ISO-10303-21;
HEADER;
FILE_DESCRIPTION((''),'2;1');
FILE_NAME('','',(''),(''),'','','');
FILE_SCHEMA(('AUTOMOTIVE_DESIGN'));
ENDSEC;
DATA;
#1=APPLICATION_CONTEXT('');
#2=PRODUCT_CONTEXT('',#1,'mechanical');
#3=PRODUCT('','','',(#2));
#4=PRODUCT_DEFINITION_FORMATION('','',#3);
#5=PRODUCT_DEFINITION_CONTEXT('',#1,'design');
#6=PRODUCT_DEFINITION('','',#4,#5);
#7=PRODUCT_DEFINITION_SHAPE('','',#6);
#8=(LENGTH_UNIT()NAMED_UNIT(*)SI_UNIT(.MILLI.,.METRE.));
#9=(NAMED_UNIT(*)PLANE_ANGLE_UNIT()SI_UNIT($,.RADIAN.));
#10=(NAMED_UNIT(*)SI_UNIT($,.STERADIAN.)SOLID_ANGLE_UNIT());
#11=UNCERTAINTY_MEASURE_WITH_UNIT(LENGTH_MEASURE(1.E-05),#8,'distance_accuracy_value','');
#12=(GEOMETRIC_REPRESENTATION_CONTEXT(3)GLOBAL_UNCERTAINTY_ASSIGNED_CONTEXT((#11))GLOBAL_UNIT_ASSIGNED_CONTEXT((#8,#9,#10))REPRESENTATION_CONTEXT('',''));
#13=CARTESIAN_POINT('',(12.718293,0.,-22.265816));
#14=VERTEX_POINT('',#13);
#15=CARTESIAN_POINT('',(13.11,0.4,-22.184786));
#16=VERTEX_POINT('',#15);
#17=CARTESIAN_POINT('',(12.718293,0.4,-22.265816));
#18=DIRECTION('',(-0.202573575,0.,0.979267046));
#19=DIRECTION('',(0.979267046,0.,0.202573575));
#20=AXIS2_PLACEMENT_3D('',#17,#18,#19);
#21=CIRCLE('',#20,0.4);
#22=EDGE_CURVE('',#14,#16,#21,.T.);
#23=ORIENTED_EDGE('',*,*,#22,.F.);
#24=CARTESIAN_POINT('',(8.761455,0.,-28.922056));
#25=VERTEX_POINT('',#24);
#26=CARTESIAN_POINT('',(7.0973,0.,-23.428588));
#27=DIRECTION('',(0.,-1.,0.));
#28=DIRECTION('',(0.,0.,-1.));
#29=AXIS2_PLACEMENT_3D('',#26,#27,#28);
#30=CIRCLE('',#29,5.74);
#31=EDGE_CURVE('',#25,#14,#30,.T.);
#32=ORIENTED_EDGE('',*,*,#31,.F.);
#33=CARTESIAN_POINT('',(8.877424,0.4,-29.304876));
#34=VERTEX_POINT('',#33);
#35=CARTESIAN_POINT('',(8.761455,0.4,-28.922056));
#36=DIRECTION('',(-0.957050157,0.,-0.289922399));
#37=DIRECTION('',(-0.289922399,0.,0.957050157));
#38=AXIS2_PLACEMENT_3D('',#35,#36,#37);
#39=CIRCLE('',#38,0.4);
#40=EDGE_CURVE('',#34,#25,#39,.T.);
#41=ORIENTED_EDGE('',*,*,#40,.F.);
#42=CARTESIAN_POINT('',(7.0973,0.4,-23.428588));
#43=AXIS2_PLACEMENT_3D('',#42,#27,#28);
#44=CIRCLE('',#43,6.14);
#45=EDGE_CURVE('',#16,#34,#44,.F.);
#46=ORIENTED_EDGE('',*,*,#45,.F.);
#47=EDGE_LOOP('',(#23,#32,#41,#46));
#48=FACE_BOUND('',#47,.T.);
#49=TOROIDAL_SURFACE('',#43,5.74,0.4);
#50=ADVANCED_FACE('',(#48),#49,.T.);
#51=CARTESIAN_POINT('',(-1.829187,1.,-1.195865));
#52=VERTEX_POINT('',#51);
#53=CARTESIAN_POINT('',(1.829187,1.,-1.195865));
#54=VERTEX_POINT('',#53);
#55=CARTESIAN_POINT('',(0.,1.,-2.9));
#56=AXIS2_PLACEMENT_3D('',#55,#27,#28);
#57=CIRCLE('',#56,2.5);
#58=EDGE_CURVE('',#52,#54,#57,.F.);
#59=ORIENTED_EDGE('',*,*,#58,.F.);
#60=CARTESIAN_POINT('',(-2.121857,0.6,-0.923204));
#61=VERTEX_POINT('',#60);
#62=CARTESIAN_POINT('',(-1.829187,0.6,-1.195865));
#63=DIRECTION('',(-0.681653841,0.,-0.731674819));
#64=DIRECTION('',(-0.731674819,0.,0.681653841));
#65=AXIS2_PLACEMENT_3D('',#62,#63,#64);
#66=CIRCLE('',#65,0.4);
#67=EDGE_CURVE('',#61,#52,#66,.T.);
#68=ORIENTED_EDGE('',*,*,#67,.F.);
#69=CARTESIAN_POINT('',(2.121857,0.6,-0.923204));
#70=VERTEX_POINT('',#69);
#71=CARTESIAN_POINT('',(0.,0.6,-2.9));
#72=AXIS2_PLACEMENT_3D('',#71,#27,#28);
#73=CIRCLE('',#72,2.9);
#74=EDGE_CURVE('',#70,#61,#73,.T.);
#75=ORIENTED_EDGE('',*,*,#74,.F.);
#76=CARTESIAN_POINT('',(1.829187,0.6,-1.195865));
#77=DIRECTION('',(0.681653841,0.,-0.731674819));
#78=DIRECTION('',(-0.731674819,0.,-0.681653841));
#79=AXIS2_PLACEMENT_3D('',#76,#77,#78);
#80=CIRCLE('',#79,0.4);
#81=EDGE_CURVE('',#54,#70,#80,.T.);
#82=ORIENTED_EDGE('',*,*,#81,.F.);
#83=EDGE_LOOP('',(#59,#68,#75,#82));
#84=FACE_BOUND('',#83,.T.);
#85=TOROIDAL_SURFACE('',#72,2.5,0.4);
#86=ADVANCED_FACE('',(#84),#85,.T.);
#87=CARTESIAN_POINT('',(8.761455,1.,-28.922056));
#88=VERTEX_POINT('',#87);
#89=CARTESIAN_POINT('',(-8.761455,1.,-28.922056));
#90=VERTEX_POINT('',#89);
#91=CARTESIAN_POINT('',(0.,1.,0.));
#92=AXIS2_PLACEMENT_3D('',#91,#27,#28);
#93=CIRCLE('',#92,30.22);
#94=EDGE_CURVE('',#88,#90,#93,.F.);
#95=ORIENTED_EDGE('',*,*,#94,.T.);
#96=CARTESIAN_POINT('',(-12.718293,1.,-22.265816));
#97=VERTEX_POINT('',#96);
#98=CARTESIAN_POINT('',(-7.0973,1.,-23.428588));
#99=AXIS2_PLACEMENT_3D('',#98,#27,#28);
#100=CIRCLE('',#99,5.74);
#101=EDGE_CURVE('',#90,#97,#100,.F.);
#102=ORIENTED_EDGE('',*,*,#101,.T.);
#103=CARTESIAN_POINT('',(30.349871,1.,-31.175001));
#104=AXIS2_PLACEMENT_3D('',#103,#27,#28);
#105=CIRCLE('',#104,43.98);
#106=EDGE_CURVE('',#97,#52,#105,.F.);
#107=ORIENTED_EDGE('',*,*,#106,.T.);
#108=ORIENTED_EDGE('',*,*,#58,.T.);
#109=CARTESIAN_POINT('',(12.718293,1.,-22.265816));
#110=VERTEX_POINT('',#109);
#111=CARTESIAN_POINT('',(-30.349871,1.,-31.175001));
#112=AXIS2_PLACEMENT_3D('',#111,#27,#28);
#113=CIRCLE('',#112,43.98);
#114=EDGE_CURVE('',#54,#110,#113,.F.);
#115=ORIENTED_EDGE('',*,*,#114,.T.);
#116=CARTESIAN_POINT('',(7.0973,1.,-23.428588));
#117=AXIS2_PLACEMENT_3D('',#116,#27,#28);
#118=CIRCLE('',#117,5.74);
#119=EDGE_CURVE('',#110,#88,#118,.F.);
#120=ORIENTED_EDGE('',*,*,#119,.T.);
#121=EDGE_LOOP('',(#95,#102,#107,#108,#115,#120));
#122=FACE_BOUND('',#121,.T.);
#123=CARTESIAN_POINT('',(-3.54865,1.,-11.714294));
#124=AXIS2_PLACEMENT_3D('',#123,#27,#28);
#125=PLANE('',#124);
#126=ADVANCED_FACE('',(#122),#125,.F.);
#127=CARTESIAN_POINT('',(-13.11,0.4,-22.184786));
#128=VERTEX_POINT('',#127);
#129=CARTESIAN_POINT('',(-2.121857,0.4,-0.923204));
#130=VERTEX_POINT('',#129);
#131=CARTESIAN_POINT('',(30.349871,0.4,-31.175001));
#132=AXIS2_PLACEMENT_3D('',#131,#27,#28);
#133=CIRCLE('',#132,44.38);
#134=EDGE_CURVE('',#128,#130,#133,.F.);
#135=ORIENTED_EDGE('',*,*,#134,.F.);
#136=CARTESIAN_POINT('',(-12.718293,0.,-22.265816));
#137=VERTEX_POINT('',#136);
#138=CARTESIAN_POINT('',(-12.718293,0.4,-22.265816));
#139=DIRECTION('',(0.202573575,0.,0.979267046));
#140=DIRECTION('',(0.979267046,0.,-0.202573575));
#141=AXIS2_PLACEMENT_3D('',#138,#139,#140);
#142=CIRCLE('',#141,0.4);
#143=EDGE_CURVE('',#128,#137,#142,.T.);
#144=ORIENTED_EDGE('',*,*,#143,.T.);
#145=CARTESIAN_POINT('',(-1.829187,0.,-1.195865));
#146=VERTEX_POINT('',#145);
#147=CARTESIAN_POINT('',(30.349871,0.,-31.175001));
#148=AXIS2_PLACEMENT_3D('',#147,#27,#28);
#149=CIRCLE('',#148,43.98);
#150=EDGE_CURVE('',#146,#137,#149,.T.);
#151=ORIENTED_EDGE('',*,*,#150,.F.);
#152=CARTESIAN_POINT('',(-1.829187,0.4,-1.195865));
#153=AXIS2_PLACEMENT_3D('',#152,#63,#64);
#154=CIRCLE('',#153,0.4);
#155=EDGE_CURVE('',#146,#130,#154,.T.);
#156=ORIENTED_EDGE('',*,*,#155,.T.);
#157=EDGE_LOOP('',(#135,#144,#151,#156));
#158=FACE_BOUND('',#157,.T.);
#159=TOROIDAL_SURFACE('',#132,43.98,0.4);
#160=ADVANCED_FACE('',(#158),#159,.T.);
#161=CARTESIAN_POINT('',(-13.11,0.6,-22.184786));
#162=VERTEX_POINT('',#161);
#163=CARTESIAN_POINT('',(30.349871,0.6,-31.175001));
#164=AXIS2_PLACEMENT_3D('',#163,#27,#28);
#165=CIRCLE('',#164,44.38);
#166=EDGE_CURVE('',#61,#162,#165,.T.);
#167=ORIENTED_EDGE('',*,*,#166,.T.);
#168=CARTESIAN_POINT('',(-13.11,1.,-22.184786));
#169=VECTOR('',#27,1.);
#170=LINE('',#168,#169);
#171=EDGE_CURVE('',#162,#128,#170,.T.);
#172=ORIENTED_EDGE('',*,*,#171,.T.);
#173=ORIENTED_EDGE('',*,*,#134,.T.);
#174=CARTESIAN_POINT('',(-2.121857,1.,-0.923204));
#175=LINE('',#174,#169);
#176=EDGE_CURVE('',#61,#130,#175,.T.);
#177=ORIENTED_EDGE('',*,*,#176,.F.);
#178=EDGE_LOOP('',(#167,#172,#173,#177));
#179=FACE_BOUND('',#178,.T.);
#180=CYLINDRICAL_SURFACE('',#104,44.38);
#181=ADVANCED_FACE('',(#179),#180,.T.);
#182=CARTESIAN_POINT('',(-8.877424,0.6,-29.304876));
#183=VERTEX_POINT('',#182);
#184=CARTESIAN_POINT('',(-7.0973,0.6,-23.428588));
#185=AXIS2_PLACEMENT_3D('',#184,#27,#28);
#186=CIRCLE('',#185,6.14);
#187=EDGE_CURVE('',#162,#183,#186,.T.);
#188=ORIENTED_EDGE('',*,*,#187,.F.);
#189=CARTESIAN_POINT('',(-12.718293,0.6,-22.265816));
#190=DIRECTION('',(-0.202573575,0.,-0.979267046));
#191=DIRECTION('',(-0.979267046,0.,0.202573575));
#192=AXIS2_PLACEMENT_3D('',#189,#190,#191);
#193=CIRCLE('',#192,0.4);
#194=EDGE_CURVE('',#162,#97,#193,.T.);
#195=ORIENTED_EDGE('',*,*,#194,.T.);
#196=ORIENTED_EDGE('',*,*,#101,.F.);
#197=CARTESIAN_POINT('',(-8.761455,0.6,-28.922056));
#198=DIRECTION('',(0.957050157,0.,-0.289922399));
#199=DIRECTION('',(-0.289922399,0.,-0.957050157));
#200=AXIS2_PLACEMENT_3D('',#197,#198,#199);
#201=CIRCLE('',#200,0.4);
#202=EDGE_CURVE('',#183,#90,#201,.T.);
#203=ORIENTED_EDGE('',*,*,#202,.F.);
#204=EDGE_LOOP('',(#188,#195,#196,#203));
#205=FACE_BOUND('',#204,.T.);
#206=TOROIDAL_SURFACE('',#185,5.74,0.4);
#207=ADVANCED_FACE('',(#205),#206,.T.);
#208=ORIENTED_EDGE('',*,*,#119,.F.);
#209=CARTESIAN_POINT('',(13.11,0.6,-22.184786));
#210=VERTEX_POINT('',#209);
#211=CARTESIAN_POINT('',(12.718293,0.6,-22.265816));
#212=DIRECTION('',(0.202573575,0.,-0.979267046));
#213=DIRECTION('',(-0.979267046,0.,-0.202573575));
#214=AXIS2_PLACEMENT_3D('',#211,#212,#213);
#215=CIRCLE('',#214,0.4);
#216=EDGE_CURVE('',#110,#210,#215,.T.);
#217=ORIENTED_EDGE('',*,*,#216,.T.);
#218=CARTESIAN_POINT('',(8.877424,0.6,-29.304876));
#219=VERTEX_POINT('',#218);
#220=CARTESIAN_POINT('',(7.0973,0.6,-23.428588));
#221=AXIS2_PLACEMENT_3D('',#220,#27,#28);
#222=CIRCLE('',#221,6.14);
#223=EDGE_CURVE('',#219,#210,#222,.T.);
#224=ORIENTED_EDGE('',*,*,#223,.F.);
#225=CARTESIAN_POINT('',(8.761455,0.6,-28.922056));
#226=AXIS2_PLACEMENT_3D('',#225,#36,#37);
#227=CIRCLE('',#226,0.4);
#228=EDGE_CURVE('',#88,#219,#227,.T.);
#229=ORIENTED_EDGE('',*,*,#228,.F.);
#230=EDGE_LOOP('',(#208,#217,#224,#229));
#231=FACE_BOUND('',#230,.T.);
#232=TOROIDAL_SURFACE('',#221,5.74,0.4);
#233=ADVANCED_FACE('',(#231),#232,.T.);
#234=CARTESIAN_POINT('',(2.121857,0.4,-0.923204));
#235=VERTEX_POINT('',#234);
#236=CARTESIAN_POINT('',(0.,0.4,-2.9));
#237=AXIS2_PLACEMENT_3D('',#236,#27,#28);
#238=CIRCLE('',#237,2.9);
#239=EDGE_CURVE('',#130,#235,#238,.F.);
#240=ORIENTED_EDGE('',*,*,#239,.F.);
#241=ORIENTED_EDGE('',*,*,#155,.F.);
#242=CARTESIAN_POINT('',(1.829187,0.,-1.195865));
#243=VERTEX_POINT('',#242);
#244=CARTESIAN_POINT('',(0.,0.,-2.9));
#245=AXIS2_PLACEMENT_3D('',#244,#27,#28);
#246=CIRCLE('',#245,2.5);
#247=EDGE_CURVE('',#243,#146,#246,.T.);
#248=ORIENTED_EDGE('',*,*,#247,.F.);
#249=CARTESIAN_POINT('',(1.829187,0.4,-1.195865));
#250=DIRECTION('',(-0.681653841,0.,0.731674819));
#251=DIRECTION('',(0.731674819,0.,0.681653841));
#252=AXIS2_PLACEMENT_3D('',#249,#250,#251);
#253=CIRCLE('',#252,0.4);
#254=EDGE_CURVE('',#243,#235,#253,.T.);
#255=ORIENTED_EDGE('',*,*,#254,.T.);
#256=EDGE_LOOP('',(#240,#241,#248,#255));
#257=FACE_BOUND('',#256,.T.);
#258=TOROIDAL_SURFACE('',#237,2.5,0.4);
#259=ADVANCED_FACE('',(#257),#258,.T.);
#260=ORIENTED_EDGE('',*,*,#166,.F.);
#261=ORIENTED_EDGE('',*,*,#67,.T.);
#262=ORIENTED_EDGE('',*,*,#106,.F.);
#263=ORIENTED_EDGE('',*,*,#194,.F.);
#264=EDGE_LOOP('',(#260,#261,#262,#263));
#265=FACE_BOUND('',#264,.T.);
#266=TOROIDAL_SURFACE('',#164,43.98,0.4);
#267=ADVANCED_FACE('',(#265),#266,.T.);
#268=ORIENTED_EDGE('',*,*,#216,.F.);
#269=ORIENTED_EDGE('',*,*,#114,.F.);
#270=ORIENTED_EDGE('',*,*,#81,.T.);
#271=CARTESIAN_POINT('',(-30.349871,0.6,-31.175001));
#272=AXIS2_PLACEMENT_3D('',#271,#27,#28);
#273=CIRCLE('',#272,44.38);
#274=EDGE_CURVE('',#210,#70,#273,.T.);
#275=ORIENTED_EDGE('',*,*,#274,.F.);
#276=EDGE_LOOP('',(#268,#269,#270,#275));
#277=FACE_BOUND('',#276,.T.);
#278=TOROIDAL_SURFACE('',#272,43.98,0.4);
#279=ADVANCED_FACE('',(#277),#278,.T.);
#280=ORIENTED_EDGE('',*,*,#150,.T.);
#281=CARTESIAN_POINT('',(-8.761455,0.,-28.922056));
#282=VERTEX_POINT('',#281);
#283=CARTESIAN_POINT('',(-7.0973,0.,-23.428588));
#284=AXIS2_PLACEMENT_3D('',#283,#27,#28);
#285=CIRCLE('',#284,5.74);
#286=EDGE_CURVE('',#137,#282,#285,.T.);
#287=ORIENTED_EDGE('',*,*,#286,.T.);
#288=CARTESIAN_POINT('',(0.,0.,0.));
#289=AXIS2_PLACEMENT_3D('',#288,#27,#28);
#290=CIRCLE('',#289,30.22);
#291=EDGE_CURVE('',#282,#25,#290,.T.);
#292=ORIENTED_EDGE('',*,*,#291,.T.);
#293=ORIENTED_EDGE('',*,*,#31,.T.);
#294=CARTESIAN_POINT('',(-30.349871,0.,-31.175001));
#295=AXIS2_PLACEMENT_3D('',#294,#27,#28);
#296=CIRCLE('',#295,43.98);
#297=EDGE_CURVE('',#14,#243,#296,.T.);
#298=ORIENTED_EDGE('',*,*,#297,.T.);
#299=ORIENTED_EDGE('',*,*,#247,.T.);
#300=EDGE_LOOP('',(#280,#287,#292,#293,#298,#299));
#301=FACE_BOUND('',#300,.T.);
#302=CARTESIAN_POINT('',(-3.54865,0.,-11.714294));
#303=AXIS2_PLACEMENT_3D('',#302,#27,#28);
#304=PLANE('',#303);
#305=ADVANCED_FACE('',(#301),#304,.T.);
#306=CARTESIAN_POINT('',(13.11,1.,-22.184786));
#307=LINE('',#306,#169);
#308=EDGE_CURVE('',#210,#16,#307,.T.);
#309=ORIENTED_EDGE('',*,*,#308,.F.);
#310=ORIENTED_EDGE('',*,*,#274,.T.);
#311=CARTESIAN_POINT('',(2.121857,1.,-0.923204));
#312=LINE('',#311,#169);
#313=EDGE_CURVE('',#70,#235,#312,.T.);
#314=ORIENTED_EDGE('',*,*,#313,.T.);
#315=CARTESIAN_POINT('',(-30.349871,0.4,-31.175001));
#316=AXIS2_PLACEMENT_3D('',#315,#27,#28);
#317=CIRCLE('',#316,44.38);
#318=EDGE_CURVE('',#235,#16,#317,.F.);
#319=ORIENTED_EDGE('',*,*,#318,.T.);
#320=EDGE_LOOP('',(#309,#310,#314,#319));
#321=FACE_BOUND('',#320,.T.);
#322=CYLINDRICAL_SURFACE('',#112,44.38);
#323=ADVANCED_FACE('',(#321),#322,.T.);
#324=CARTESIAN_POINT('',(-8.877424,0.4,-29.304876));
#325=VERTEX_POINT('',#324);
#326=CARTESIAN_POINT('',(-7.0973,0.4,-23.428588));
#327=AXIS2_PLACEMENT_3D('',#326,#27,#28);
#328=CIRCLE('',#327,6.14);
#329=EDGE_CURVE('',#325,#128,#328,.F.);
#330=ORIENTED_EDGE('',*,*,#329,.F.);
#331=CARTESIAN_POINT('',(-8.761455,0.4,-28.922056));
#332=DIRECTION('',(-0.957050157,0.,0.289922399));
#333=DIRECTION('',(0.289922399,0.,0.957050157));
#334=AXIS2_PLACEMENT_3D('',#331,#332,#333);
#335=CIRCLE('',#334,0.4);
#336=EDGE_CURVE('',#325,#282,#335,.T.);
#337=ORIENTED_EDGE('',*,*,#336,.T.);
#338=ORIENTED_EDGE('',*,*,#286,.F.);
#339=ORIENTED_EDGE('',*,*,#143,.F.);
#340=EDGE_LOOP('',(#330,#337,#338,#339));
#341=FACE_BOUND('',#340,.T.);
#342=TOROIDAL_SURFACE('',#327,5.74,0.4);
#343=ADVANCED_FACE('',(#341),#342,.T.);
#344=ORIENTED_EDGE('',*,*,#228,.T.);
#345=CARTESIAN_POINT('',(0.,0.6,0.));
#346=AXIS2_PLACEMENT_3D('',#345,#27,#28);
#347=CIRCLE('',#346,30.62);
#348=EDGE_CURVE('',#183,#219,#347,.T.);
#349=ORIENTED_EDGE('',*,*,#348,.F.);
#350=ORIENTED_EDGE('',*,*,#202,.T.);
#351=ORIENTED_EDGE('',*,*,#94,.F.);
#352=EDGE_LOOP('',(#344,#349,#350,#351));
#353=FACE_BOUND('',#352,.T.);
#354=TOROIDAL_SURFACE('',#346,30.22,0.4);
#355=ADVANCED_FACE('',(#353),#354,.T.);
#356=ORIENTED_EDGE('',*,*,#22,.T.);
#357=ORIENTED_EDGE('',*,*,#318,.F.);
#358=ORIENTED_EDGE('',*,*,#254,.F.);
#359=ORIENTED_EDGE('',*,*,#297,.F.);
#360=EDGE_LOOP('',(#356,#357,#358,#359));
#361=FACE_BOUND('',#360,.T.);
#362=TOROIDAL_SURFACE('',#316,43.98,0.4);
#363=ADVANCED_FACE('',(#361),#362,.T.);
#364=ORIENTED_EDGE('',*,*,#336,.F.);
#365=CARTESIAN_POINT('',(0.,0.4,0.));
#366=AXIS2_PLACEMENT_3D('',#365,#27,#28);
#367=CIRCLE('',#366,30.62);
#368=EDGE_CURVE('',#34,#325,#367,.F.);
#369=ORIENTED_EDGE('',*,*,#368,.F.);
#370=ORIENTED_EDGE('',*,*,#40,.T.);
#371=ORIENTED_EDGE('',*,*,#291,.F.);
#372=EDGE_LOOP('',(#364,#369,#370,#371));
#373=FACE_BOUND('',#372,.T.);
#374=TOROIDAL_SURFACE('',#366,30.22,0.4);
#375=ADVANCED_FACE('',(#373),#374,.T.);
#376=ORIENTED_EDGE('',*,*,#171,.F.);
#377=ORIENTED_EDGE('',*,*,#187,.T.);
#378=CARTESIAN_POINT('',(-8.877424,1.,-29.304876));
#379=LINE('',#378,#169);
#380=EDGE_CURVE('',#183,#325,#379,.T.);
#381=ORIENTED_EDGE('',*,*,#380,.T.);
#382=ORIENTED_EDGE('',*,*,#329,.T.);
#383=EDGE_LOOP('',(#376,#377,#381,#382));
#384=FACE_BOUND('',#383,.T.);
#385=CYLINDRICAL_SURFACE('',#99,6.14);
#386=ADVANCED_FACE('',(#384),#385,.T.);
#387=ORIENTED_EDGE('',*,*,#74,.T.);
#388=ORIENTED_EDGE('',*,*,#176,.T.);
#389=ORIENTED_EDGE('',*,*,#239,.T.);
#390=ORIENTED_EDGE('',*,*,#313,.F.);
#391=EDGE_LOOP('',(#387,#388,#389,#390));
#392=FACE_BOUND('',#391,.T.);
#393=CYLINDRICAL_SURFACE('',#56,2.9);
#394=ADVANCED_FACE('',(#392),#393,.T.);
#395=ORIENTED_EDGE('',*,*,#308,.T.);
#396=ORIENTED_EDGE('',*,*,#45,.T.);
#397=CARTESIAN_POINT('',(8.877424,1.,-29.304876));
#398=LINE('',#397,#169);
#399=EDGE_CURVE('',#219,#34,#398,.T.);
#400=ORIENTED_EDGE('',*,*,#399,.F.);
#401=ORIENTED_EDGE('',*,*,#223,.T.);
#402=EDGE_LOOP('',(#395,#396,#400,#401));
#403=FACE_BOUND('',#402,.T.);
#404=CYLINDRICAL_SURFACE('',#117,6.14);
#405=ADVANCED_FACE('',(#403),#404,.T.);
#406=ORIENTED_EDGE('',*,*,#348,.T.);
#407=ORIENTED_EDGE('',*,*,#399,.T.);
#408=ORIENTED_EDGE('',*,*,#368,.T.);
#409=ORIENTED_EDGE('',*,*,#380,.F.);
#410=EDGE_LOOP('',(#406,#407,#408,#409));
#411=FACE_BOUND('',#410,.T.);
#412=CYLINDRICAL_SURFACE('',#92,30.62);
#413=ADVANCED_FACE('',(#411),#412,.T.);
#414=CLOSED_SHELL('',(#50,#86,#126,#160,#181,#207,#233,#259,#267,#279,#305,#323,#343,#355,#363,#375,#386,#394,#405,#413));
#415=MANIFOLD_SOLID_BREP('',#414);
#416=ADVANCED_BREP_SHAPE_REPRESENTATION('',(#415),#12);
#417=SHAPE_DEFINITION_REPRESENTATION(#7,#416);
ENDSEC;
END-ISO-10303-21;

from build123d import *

# Parameters (mm, degrees)
BOSS_EXTRUDE1_DEPTH = 1
FILLET1_R           = 0.4


with BuildPart() as part:
    # Sketch1 → Boss-Extrude1 (new body)
    with BuildSketch(Plane(origin=(0, 0, 0), x_dir=(1, 0, 0), z_dir=(0, 1, 0))):
        with BuildLine():
            ThreePointArc((-8.877423872, 29.304875795), (0, 30.62), (8.877423872, 29.304875795))
            ThreePointArc((8.877423872, 29.304875795), (12.375173273, 26.566048159), (13.11, 22.184786084))
            ThreePointArc((13.11, 22.184786084), (9.076207285, 10.799312083), (2.121856975, 0.92320386))
            ThreePointArc((2.121856975, 0.92320386), (0, 0), (-2.121856975, 0.92320386))
            ThreePointArc((-2.121856975, 0.92320386), (-9.076207285, 10.799312083), (-13.11, 22.184786084))
            ThreePointArc((-13.11, 22.184786084), (-12.375173273, 26.566048159), (-8.877423872, 29.304875795))
        make_face()
    extrude(amount=BOSS_EXTRUDE1_DEPTH)

    # Fillet1
    fillet1_edges = [part.edges().sort_by_distance(p)[0] for p in [
        (0, 1, 0),
        (9.076207285, 1, -10.799312083),
        (12.375173273, 1, -26.566048159),
        (0, 1, -30.62),
        (-12.375173273, 1, -26.566048159),
        (0, 0, -30.62),
        (12.375173273, 0, -26.566048159),
        (9.076207285, 0, -10.799312083),
        (0, 0, 0),
        (-9.076207285, 0, -10.799312083),
        (-12.375173273, 0, -26.566048159),
        (-9.076207285, 1, -10.799312083),
    ]]
    fillet(fillet1_edges, radius=FILLET1_R)


solid = part.part
